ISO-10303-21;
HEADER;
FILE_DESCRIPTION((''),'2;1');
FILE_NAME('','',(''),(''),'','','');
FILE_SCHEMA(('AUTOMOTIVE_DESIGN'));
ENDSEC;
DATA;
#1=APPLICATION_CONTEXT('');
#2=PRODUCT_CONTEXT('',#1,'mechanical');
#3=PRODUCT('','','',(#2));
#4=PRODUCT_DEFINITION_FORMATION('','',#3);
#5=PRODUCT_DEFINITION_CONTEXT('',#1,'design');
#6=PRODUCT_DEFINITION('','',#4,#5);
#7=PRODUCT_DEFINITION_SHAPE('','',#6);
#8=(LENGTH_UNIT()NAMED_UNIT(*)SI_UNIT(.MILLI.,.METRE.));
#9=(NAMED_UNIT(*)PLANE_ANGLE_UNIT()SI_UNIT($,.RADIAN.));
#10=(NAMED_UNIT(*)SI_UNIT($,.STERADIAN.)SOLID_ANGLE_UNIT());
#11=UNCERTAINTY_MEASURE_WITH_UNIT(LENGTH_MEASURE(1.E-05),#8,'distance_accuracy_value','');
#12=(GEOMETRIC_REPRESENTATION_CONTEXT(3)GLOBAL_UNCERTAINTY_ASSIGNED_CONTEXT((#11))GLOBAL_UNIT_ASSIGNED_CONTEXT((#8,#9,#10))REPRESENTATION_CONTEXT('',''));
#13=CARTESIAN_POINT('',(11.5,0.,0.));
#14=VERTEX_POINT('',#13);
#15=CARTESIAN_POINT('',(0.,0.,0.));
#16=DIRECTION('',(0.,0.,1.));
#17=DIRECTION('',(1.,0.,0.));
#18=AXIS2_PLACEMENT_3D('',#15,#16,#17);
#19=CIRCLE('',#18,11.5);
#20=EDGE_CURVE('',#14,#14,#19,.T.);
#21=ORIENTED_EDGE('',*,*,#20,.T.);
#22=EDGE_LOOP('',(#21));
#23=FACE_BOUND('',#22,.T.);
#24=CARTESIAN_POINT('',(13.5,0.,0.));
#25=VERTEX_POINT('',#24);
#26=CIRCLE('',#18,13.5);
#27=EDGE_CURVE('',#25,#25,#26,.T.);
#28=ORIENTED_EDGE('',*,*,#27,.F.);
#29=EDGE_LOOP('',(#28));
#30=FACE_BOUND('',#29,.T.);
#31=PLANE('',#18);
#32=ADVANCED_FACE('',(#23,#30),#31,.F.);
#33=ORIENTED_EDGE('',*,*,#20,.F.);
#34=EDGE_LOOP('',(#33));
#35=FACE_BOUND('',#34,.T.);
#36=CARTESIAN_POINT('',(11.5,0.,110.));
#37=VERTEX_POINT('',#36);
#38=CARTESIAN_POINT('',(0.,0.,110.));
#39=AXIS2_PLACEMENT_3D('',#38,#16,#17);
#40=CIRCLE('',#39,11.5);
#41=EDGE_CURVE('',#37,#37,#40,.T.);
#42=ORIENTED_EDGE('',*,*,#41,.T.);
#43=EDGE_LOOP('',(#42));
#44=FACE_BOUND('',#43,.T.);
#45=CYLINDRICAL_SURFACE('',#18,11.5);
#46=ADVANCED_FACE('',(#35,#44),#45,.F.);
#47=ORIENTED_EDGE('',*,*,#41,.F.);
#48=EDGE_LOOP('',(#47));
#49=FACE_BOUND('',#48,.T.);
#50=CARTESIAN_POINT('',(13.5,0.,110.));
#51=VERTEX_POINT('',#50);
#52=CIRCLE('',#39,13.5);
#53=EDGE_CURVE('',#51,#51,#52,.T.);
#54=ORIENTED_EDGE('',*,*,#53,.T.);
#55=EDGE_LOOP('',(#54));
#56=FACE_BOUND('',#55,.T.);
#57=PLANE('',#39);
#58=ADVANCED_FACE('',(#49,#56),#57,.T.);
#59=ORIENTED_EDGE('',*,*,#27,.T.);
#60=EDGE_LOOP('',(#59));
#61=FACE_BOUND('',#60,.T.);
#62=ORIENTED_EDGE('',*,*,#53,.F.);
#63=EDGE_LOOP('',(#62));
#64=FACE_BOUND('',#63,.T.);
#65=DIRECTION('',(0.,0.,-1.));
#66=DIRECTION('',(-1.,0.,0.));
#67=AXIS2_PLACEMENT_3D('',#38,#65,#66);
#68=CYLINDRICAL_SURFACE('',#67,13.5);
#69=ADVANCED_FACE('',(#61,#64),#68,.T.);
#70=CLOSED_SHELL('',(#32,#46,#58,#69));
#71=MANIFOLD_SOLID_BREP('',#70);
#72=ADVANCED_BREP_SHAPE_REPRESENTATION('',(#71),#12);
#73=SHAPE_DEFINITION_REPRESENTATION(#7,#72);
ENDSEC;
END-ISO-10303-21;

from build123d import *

# Parameters (mm, degrees)
AICAD_SKETCH_F001_R           = 13.5
AICAD_F001_BASE_EXTRUDE_DEPTH = 110
AICAD_SKETCH_F002_R           = 11.5
AICAD_F002_CUT_EXTRUDE_DEPTH  = 112.644525168


with BuildPart() as part:
    # AICAD_SKETCH_F001 → AICAD_F001_BASE_EXTRUDE (new body)
    with BuildSketch(Plane.XY):
        Circle(AICAD_SKETCH_F001_R)
    extrude(amount=AICAD_F001_BASE_EXTRUDE_DEPTH)

    # AICAD_SKETCH_F002 → AICAD_F002_CUT_EXTRUDE (cut, through all)
    with BuildSketch(Plane.XY.offset(110)):
        Circle(AICAD_SKETCH_F002_R)
    extrude(amount=-AICAD_F002_CUT_EXTRUDE_DEPTH, mode=Mode.SUBTRACT)


solid = part.part
